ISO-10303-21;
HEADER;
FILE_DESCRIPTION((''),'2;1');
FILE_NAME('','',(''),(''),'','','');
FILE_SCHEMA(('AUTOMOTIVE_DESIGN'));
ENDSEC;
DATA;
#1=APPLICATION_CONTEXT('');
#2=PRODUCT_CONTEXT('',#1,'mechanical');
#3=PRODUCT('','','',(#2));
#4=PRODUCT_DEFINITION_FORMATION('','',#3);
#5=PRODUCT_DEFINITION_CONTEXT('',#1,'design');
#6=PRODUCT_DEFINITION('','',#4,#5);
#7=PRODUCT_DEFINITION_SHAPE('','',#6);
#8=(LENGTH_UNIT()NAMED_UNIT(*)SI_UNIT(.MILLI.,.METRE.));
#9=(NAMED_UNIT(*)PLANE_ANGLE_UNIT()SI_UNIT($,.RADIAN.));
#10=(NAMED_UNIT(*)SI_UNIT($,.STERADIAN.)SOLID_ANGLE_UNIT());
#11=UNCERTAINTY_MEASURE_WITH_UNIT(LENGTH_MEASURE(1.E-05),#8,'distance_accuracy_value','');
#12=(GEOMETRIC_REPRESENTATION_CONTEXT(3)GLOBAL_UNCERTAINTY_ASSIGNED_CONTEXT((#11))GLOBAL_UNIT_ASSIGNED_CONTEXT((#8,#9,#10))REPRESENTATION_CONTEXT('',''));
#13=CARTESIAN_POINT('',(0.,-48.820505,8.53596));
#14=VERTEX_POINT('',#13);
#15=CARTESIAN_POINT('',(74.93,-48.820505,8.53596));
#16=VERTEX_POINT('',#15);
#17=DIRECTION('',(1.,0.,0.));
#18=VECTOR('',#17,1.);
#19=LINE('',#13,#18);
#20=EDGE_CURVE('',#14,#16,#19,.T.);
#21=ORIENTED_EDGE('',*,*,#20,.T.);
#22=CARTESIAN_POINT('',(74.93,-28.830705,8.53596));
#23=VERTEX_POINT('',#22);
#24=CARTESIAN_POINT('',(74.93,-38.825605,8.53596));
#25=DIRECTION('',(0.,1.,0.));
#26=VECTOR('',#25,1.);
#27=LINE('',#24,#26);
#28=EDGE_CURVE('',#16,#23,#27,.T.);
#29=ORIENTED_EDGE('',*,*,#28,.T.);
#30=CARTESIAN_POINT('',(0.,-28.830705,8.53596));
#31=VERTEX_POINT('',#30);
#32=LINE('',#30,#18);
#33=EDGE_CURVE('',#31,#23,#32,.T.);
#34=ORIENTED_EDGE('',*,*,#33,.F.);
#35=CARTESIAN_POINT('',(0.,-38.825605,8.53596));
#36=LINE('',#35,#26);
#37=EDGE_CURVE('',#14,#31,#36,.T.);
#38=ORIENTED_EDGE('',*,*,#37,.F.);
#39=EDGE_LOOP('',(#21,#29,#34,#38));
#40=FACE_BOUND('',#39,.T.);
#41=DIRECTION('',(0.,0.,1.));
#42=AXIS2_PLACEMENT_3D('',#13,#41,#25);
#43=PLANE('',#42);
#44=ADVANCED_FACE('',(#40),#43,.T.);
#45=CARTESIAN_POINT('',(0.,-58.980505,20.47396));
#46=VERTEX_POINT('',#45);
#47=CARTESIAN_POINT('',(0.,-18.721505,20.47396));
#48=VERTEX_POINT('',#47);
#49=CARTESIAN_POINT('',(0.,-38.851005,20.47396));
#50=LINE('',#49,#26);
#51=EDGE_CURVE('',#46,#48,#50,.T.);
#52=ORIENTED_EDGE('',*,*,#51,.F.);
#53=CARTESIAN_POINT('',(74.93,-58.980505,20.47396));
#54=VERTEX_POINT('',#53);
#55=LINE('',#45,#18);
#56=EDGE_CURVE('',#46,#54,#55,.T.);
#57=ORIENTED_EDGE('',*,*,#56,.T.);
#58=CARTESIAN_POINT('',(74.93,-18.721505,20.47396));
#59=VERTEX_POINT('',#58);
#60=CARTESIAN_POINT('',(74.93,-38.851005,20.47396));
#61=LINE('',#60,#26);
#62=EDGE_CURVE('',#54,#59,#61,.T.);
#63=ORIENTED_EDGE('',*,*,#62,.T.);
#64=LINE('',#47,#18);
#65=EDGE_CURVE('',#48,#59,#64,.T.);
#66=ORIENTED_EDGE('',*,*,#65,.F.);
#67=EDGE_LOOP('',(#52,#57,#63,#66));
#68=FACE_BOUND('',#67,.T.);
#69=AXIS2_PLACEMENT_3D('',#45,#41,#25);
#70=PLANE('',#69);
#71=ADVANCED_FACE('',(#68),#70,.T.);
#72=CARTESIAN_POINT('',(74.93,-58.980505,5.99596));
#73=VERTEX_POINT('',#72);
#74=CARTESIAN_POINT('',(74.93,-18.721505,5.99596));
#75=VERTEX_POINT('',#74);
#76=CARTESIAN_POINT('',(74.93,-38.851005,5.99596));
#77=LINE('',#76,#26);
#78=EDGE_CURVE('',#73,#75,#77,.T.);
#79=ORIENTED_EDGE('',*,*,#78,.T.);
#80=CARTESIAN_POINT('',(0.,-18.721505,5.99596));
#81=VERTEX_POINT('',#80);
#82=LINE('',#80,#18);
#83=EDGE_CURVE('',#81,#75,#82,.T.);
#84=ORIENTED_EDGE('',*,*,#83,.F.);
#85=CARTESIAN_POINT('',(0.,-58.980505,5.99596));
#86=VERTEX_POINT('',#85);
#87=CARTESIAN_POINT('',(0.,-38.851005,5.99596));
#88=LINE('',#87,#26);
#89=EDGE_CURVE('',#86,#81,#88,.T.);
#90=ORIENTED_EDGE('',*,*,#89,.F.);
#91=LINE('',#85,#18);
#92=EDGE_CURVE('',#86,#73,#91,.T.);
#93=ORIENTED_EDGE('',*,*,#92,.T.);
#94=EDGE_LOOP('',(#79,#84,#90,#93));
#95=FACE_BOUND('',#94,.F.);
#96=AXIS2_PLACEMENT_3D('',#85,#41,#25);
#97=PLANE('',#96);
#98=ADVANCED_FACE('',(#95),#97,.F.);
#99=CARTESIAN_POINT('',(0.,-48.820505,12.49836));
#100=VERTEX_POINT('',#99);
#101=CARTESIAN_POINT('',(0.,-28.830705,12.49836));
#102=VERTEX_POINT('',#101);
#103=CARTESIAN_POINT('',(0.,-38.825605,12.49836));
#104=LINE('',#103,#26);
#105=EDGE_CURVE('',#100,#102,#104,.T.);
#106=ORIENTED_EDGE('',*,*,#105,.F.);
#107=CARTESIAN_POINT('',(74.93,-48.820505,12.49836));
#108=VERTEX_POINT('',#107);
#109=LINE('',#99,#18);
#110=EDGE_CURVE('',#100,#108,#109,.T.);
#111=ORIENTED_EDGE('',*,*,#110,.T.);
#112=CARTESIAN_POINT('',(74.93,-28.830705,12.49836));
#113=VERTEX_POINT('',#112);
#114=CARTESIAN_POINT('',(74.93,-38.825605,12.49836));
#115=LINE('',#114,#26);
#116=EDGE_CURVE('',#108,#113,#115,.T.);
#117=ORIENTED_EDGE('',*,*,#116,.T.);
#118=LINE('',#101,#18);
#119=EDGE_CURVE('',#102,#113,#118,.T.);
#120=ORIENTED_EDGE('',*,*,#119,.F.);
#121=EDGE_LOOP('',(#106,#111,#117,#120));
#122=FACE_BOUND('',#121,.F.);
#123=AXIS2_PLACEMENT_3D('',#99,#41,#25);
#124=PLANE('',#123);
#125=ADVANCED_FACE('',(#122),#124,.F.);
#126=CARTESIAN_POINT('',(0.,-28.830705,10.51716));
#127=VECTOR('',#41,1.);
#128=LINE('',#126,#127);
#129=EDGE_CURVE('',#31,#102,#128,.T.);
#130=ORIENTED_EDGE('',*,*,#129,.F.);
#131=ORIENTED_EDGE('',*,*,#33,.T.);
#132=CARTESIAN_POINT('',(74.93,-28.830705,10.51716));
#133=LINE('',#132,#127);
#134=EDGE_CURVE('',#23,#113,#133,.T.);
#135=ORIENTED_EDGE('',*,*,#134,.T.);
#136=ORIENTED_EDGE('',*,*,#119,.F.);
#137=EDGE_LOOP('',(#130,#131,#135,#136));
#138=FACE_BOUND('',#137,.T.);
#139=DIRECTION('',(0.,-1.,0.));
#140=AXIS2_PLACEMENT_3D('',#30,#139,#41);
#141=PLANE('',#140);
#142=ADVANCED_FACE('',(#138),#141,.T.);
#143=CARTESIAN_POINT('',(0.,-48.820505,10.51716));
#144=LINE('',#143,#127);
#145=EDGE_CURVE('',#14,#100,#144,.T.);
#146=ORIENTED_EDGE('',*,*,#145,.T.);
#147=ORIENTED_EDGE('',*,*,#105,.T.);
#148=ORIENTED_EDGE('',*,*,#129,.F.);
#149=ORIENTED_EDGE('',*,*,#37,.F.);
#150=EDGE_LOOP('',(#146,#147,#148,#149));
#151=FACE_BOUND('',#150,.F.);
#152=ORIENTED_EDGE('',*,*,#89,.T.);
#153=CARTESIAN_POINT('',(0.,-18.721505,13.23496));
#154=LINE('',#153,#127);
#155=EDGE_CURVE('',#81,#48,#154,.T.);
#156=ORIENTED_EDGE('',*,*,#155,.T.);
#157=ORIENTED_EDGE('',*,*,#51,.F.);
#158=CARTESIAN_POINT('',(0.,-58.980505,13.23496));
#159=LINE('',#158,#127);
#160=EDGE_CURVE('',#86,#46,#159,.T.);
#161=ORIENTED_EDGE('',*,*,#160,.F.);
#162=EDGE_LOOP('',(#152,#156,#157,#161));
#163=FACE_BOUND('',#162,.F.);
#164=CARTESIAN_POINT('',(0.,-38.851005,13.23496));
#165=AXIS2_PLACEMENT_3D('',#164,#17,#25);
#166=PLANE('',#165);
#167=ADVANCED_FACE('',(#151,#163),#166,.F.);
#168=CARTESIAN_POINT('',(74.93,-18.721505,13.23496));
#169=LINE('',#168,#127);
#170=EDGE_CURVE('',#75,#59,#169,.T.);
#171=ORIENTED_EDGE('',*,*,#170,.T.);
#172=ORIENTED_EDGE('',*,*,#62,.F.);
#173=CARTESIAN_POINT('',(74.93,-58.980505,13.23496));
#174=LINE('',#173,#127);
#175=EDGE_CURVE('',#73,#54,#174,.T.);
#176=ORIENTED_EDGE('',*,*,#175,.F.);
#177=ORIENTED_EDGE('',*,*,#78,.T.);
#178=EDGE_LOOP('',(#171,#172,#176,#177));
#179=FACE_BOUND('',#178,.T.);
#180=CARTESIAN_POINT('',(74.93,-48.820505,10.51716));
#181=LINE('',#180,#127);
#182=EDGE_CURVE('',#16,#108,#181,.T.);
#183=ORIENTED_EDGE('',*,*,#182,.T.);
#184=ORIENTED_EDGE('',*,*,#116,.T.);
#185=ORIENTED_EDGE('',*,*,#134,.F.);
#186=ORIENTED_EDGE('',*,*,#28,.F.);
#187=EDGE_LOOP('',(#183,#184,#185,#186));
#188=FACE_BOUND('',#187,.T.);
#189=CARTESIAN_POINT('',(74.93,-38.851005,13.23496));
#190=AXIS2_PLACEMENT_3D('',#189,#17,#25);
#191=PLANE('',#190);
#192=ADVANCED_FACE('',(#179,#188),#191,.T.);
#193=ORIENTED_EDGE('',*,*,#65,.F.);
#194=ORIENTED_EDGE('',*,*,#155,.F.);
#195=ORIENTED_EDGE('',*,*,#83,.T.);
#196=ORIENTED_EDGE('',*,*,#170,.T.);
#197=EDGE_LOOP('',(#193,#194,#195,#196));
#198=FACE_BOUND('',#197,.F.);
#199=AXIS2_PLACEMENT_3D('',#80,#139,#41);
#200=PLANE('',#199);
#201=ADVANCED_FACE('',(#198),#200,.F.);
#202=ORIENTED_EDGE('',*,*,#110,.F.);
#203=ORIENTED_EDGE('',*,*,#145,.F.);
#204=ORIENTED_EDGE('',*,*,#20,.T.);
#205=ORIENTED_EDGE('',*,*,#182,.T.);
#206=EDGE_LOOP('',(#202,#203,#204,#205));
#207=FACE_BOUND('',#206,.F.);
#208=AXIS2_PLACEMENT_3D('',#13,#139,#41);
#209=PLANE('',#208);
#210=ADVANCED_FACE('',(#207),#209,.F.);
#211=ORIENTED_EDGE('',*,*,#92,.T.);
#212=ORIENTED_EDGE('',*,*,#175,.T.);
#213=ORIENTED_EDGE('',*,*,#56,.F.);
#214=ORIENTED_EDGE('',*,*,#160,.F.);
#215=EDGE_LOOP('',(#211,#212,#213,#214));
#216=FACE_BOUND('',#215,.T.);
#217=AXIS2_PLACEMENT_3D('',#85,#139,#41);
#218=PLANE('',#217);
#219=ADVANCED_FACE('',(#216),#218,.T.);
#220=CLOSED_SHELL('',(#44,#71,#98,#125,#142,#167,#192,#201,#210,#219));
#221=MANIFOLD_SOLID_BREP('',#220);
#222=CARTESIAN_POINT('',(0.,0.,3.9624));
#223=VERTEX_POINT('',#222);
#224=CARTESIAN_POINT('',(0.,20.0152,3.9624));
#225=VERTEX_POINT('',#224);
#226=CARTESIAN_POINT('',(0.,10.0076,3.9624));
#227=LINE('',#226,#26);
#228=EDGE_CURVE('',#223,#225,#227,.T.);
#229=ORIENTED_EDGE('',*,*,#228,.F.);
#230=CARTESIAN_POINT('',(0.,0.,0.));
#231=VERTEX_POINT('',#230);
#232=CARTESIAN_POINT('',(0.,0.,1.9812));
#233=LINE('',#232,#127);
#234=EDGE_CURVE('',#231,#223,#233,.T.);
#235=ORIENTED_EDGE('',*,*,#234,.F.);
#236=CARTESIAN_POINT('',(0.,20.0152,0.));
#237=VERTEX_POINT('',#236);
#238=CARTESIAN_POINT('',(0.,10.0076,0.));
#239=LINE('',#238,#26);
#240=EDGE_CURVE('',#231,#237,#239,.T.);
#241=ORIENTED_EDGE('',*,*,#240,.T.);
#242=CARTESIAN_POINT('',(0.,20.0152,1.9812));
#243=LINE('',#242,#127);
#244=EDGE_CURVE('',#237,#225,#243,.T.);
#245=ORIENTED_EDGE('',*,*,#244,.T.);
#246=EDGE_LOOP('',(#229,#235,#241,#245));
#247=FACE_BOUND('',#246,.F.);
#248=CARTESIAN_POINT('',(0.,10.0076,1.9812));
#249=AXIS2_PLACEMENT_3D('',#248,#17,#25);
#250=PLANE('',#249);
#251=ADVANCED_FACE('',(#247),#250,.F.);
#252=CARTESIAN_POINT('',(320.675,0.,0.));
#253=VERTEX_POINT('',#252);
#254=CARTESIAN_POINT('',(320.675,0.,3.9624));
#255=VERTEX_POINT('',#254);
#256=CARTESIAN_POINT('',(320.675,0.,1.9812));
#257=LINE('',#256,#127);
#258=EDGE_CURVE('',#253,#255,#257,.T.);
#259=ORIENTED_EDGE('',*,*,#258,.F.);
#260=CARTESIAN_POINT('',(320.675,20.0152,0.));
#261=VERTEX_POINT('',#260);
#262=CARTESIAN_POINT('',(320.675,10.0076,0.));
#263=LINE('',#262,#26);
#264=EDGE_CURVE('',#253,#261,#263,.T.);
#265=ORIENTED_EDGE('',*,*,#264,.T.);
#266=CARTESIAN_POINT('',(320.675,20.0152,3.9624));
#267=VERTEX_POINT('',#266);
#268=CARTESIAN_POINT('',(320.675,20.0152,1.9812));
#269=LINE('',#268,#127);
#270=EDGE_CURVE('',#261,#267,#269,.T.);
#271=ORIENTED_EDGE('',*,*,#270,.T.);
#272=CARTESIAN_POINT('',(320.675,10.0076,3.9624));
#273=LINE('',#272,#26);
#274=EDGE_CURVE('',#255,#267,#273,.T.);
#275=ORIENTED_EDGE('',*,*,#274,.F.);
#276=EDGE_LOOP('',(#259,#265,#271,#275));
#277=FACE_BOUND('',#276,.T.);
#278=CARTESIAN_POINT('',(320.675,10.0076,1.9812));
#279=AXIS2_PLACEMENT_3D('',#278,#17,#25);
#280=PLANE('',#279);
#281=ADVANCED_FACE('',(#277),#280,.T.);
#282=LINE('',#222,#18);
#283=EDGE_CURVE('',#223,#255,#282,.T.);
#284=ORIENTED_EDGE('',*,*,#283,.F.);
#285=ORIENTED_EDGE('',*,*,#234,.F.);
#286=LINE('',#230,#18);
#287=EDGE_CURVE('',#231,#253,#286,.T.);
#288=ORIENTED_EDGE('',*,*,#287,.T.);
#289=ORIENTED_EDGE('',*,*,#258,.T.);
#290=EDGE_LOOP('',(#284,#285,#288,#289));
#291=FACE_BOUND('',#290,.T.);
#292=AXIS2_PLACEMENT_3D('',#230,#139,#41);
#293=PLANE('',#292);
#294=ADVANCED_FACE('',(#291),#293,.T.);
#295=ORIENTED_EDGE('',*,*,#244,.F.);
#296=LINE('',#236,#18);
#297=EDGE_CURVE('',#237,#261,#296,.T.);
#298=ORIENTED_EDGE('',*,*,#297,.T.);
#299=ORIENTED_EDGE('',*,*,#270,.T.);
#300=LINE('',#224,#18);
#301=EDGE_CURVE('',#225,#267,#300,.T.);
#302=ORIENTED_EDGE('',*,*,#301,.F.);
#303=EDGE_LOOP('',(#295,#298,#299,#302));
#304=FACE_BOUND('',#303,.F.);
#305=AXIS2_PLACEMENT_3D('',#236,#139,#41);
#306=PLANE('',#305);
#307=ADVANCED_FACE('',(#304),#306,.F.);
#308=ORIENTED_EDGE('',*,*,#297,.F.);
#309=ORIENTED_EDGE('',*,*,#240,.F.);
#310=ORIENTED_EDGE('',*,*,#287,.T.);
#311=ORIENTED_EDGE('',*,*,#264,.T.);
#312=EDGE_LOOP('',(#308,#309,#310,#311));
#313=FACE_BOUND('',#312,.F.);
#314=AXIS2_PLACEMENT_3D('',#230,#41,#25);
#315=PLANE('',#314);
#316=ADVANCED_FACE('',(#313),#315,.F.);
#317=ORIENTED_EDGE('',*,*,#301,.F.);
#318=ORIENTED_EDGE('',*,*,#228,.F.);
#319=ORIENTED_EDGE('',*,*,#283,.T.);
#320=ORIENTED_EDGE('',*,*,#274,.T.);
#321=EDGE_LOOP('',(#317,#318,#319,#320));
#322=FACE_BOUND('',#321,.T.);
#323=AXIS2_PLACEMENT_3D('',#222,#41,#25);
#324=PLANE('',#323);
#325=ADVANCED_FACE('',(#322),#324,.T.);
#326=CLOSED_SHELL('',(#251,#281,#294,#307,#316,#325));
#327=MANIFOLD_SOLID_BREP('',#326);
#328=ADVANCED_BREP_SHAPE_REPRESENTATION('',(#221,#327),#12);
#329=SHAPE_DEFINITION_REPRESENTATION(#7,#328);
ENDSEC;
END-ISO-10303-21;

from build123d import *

# Parameters (mm, degrees)
F0_W     = 20.0152
F0_H     = 3.9624
F1_DEPTH = 320.675
F2_W     = 40.259
F2_H     = 14.478
F2_W_2   = 19.9898
F2_H_2   = 3.9624
F3_DEPTH = 74.93


with BuildPart() as f1:
    # F0 (on Right) → F1 (new body)
    with BuildSketch(Plane.YZ):
        with Locations((10.0076, 1.9812)):
            Rectangle(F0_W, F0_H)
    extrude(amount=F1_DEPTH)


with BuildPart() as f3:
    # F2 (on Right) → F3 (new body)
    with BuildSketch(Plane.YZ):
        with Locations((-38.851005, 13.23496)):
            Rectangle(F2_W, F2_H)
        with Locations((-38.825605, 10.51716)):
            Rectangle(F2_W_2, F2_H_2, mode=Mode.SUBTRACT)
    extrude(amount=F3_DEPTH)


solid = Compound([f1.part, f3.part])
